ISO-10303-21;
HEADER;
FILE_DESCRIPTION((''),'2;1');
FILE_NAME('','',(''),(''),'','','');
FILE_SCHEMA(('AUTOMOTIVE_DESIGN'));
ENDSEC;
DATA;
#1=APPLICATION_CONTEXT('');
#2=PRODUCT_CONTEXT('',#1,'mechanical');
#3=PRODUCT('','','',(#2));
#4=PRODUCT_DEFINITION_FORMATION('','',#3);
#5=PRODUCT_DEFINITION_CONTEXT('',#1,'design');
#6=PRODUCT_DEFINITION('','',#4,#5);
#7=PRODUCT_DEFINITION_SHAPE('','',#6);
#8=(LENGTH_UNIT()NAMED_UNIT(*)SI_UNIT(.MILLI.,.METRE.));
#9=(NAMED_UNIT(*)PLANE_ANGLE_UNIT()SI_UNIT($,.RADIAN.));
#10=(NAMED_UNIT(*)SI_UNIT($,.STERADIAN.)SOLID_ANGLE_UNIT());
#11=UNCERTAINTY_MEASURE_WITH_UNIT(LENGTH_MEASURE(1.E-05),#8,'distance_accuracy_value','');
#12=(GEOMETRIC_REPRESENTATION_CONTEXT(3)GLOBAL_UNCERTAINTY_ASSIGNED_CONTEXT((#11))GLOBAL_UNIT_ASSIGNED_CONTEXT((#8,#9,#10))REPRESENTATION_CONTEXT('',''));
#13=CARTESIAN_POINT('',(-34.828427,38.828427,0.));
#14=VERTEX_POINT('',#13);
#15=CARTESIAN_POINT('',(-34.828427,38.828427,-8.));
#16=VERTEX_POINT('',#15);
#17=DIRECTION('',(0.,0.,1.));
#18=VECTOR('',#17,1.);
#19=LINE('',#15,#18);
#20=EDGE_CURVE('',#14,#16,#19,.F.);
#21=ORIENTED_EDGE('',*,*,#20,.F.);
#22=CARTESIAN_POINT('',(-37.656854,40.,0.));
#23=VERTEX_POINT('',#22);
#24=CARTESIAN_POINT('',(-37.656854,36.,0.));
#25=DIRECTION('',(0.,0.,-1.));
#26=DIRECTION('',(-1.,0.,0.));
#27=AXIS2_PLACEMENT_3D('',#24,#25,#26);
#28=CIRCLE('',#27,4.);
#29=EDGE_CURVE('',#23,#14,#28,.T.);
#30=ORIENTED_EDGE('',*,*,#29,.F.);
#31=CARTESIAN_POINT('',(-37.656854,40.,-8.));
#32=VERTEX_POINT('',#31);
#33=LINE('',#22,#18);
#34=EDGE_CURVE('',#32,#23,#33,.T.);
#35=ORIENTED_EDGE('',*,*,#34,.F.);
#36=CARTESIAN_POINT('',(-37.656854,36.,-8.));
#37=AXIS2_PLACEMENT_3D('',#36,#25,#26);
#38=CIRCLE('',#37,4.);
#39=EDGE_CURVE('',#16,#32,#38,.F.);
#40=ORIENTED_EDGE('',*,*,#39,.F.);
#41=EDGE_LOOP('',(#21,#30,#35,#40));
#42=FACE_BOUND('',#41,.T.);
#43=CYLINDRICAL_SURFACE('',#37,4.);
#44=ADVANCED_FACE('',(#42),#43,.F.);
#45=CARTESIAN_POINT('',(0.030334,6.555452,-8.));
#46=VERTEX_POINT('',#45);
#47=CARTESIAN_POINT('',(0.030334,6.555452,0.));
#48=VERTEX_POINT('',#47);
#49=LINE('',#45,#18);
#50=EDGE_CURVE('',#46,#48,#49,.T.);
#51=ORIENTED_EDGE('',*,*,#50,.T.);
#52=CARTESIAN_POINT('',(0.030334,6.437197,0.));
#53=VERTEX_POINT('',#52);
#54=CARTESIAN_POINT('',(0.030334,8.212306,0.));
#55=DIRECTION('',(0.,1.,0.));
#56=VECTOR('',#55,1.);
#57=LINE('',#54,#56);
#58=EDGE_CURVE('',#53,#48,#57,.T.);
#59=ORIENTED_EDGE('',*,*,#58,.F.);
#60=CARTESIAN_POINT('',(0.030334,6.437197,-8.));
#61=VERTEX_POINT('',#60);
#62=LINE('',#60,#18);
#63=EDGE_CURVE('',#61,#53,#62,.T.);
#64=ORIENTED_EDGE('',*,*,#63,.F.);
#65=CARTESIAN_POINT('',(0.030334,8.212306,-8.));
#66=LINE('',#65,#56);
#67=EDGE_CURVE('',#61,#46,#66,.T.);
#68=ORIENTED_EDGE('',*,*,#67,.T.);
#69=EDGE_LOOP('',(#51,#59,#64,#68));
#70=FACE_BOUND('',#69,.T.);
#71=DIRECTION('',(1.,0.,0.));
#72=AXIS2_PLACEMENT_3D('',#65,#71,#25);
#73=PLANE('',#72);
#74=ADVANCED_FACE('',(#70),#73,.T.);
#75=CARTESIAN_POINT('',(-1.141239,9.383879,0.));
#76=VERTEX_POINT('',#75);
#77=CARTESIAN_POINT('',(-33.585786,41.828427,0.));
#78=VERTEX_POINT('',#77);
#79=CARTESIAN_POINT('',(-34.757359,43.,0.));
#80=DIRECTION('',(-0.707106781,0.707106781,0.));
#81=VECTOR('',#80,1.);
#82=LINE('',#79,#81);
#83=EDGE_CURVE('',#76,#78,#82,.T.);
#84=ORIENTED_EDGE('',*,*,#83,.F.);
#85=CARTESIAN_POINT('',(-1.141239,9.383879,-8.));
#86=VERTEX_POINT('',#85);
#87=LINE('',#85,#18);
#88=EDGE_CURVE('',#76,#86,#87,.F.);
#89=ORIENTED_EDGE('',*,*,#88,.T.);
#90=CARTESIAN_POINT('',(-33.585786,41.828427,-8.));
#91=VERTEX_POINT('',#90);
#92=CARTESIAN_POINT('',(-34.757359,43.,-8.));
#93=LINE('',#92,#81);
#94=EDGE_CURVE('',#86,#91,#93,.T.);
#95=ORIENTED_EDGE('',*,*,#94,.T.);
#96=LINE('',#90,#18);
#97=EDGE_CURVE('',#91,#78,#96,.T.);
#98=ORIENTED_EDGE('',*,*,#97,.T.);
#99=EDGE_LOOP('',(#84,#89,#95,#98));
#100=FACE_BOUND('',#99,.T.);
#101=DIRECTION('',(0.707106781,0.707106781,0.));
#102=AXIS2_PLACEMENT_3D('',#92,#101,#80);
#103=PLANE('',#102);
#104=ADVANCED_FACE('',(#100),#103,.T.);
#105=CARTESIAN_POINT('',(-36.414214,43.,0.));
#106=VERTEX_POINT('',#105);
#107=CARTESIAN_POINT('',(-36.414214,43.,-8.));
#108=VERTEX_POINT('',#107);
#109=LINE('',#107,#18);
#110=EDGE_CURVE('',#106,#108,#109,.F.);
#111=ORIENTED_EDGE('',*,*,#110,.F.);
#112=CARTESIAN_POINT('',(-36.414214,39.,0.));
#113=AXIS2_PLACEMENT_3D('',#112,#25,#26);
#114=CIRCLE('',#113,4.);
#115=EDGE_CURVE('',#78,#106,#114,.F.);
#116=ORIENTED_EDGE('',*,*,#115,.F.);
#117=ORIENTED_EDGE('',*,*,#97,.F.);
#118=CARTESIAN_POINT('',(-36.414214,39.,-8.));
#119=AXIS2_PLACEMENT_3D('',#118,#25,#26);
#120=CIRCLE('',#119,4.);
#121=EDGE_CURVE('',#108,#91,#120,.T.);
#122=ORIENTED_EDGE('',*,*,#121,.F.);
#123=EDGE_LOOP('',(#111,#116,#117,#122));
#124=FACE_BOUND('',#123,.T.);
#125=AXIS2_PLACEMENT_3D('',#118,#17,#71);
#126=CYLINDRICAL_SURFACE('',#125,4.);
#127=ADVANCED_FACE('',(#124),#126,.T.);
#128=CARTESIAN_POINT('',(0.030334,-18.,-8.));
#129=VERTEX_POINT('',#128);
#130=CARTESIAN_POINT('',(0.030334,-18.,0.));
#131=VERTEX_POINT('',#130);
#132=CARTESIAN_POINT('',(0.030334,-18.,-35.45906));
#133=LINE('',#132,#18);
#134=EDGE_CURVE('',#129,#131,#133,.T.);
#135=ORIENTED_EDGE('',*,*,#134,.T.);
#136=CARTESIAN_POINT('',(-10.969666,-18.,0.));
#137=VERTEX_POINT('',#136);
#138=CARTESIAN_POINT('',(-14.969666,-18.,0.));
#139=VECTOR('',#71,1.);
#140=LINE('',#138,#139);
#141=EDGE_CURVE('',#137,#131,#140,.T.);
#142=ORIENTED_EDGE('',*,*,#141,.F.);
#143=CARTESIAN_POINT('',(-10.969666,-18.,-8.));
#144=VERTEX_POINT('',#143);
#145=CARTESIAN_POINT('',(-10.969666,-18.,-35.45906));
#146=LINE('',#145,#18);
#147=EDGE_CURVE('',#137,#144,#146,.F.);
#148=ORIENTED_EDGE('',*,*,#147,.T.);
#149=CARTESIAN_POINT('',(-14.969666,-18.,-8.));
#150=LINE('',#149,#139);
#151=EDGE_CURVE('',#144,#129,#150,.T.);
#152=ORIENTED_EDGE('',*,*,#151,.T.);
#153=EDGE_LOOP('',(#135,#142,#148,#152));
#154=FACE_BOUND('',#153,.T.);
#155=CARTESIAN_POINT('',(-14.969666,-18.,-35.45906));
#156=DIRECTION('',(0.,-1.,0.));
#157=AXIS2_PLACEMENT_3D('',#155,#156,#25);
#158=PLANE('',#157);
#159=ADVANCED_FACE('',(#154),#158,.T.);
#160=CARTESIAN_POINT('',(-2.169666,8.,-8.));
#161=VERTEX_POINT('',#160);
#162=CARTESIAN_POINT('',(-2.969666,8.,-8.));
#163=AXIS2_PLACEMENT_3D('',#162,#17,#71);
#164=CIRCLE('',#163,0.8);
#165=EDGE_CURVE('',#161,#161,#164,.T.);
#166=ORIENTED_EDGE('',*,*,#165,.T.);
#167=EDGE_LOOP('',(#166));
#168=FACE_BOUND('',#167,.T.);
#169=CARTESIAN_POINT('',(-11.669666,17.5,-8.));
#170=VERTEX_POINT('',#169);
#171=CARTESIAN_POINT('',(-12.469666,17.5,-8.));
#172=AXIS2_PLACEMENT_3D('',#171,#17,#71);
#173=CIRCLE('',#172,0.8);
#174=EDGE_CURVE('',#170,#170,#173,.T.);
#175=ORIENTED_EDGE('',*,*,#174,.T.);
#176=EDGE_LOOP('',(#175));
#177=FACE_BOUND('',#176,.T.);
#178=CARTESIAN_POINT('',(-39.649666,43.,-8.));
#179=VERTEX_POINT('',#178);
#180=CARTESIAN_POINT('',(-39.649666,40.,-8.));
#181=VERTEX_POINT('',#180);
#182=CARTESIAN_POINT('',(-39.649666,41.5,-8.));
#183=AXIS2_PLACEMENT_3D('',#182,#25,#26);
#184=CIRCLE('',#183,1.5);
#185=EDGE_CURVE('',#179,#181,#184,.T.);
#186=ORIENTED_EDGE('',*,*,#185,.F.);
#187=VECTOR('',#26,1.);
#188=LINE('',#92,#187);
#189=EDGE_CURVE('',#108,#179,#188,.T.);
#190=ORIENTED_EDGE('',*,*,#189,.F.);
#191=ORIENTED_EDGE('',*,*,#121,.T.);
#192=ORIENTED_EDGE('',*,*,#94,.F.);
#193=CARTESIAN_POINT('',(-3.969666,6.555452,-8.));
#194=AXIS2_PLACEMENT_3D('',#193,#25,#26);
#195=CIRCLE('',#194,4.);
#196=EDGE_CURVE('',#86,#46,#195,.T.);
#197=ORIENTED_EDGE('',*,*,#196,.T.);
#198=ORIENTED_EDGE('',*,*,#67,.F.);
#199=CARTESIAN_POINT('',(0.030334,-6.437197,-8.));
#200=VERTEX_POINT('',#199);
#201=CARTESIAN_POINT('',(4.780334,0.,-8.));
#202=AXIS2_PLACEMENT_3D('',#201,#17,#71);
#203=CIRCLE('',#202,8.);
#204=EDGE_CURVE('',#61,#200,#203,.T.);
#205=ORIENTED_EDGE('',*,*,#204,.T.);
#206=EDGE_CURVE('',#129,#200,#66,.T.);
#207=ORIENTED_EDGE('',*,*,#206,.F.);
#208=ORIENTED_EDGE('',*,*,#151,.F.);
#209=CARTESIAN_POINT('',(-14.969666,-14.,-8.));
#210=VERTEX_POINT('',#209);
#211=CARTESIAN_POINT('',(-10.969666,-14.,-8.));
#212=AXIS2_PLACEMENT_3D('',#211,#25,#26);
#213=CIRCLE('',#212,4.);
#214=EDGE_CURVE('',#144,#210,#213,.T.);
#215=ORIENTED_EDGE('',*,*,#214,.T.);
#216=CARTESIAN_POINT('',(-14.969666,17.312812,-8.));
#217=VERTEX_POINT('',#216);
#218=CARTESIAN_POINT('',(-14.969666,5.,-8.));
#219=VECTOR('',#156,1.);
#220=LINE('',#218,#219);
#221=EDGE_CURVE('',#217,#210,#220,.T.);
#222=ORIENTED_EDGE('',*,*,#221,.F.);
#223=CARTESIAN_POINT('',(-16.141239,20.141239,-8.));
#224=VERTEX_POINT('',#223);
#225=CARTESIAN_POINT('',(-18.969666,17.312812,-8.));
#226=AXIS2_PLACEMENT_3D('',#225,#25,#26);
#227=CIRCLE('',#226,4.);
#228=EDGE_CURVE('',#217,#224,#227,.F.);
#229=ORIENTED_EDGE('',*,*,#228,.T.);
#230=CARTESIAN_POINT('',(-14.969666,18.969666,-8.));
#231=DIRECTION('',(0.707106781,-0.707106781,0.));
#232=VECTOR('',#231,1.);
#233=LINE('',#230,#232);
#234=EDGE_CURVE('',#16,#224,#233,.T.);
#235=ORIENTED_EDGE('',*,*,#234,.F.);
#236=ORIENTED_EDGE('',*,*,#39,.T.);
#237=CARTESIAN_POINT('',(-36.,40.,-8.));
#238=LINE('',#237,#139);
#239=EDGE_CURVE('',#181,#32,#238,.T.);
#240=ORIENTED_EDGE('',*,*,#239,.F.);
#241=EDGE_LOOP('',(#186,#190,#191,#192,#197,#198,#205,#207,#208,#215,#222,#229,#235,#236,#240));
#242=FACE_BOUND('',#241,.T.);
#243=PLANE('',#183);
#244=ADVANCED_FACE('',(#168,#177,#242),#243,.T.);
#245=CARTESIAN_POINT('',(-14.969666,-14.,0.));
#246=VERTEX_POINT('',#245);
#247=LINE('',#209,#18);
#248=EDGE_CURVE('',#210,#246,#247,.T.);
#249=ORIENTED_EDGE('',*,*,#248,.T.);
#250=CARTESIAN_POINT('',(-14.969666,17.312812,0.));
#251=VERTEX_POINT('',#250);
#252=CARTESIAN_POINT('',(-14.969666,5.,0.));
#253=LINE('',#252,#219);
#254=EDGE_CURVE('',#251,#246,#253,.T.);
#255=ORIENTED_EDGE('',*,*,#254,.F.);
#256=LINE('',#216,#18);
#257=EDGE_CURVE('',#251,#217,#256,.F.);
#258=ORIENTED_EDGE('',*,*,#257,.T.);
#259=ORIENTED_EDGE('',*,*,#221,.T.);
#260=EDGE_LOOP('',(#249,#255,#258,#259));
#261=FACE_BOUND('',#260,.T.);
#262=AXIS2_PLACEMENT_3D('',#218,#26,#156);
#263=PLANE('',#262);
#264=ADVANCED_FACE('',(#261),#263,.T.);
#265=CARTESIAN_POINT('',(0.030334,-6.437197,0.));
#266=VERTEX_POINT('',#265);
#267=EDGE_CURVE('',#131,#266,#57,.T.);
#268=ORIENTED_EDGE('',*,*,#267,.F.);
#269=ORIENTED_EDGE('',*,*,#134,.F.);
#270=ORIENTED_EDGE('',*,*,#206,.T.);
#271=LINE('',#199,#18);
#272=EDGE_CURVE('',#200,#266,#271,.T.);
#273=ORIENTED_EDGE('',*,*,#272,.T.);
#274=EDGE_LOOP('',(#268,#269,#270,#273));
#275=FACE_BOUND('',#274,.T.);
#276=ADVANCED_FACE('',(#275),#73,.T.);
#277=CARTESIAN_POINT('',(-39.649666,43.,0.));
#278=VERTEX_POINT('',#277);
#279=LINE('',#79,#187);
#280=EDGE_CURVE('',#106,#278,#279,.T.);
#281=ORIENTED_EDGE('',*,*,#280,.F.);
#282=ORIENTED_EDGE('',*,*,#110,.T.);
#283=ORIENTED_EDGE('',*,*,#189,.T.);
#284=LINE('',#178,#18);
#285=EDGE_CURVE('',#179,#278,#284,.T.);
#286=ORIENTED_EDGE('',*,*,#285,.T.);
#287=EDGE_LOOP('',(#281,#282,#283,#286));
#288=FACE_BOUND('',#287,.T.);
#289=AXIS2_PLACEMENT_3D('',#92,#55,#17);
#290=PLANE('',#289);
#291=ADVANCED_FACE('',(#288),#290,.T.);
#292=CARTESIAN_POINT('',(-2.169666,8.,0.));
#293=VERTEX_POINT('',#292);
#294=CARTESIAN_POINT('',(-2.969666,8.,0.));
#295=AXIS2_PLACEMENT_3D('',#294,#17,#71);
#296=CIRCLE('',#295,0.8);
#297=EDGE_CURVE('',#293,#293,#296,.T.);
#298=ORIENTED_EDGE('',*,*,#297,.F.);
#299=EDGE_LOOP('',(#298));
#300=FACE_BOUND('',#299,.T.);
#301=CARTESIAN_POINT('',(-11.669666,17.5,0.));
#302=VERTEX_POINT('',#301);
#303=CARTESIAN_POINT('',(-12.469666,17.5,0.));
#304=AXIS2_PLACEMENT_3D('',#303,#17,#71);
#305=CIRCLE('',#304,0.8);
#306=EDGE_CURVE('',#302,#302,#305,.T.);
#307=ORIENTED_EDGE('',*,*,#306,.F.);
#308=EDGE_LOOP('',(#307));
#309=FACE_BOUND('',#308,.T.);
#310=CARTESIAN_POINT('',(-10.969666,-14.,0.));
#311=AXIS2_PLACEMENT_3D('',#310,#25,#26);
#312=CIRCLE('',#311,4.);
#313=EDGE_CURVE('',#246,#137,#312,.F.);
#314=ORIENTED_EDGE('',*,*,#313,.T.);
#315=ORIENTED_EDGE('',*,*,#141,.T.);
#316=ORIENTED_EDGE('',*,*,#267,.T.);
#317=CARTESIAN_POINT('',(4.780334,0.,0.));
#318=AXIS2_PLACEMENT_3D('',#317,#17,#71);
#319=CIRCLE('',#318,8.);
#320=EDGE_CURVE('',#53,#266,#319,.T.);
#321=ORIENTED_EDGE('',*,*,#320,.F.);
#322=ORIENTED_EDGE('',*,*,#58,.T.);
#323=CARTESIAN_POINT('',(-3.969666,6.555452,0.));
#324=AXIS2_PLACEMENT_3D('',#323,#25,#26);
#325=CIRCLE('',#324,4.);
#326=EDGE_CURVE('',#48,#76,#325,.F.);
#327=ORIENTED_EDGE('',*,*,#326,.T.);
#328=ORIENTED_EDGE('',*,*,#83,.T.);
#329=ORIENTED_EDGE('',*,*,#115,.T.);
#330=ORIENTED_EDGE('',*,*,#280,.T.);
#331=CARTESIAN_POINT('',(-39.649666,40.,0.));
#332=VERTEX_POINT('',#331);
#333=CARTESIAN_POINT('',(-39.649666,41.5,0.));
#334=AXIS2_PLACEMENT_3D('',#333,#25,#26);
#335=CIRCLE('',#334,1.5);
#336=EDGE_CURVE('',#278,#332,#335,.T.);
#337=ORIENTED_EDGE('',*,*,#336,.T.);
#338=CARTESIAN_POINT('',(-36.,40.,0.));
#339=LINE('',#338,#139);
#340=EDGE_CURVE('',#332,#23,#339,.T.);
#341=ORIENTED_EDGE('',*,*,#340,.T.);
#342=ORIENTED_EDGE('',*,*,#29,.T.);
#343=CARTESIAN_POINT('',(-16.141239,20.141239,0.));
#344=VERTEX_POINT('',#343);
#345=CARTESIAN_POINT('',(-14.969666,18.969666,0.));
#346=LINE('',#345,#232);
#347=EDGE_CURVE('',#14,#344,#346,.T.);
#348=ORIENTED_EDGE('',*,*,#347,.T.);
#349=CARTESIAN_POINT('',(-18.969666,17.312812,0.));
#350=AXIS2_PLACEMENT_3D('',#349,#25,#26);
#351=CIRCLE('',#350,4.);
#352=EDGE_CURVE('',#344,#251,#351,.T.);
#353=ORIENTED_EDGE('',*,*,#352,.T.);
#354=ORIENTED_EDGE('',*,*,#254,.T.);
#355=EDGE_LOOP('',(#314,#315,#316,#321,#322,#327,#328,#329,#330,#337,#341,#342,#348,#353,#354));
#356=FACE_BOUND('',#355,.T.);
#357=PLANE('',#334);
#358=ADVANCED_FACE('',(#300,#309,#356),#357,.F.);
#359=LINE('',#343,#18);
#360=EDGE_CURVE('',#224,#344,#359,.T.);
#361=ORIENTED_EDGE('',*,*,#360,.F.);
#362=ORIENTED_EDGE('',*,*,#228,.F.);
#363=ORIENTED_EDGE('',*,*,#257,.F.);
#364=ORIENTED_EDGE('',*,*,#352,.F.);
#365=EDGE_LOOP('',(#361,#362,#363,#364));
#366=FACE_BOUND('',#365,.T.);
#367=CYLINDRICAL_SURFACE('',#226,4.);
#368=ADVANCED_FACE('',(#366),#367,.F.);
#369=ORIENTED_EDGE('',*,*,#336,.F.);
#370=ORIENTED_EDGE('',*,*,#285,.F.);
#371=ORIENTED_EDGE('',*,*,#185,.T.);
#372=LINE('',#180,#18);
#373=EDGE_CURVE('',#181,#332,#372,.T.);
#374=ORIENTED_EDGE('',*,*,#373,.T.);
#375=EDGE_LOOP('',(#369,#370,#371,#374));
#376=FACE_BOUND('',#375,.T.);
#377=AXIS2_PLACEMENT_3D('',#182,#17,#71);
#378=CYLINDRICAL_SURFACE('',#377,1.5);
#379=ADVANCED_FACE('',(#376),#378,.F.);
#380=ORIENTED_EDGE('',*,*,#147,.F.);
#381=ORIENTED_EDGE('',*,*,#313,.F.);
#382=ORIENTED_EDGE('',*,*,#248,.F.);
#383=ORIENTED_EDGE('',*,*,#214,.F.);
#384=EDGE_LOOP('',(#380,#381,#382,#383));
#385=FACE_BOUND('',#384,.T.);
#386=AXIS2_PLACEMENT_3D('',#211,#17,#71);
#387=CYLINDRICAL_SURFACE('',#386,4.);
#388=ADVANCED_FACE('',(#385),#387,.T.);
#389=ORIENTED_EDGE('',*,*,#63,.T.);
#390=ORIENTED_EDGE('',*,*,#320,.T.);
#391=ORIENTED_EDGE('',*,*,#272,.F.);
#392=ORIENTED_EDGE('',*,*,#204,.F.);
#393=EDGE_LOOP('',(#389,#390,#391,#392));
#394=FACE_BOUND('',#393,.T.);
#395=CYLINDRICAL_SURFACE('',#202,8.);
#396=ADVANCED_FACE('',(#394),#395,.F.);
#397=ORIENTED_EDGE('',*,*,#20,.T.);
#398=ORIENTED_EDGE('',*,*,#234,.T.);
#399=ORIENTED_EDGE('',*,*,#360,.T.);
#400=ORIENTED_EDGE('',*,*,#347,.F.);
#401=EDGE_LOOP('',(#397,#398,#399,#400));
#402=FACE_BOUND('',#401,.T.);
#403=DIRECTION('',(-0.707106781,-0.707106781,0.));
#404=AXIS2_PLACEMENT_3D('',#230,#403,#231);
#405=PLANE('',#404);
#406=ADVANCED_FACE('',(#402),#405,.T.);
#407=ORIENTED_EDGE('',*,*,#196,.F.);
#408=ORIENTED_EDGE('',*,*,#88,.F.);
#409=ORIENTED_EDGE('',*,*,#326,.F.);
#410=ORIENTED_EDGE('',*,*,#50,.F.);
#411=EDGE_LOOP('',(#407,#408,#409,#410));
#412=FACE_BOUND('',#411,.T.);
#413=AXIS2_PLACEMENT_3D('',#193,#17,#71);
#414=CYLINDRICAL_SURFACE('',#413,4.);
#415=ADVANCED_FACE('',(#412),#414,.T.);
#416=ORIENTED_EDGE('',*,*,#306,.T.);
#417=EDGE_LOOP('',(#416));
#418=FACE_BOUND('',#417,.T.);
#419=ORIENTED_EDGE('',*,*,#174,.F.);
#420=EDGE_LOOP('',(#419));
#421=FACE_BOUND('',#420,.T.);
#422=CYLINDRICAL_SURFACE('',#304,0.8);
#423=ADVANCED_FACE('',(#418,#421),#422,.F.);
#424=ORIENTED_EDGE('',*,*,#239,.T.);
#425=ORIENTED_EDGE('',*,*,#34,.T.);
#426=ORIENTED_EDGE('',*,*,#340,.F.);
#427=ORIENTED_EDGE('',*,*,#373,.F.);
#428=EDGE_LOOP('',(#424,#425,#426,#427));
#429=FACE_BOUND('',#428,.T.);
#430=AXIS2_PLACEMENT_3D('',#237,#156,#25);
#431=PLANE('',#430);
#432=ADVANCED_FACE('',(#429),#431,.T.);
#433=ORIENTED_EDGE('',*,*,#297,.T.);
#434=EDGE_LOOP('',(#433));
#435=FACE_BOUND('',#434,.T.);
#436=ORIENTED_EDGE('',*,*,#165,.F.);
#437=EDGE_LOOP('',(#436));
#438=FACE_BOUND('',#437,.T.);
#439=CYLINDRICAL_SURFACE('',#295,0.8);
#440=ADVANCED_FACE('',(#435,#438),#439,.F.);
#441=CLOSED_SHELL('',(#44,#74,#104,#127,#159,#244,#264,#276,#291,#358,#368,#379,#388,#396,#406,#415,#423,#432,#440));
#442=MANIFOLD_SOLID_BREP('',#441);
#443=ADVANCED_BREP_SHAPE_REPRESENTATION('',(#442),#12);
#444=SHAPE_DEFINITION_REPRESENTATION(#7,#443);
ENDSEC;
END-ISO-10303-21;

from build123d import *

# Parameters (mm, degrees)
EXTRUDE_618_DEPTH   = 8
HOLE_WIZARD_M2_D    = 1.6
SKETCH_5_W          = 15
SKETCH_5_H          = 23
EXTRUDE_1905_DEPTH  = 8
FILLET_1_R          = 4
CUT_EXTRUDE_1_DEPTH = 60.03470161


with BuildPart() as part:
    # Эскиз1 → Extrude 618 (new body)
    with BuildSketch(Plane.XY):
        with BuildLine():
            Line((0.03033425, 5), (-14.96966575, 5))
            Line((-14.96966575, 5), (-14.96966575, 18.96966575))
            Line((-14.96966575, 18.96966575), (-36, 40))
            Line((-36, 40), (-39.64966575, 40))
            ThreePointArc((-39.64966575, 40), (-38.14966575, 41.5), (-39.64966575, 43))
            Line((-39.64966575, 43), (-34.757359313, 43))
            Line((-34.757359313, 43), (0.03033425, 8.212306438))
            Line((0.03033425, 8.212306438), (0.03033425, 5))
        make_face()
    extrude(amount=-EXTRUDE_618_DEPTH)

    # Крепление M2 (through all)
    with Locations(Plane.XY):
        with Locations((-2.96966575, 8), (-12.46966575, 17.5)):
            Hole(HOLE_WIZARD_M2_D / 2)

    # Эскиз5 → Extrude 1905 (add)
    with BuildSketch(Plane.XY):
        with Locations((-7.46966575, -6.5)):
            Rectangle(SKETCH_5_W, SKETCH_5_H)
    extrude(amount=-EXTRUDE_1905_DEPTH)

    # Скругление1
    fillet_1_edges = [part.edges().sort_by_distance(p)[0] for p in [
        (-14.96966575, 18.96966575, -4),
        (-36, 40, -4),
        (-34.757359313, 43, -4),
        (0.03033425, 8.212306438, -4),
        (-14.96966575, -18, -4),
    ]]
    fillet(fillet_1_edges, radius=FILLET_1_R)

    # Эскиз6 → Вырез-Вытянуть1 (cut, through all)
    with BuildSketch(Plane.XY):
        with BuildLine():
            Line((0.03033425, 6.437196595), (0.03033425, -6.437196595))
            ThreePointArc((0.03033425, -6.437196595), (-3.21966575, 0), (0.03033425, 6.437196595))
        make_face()
    extrude(amount=-CUT_EXTRUDE_1_DEPTH, mode=Mode.SUBTRACT)


solid = part.part
